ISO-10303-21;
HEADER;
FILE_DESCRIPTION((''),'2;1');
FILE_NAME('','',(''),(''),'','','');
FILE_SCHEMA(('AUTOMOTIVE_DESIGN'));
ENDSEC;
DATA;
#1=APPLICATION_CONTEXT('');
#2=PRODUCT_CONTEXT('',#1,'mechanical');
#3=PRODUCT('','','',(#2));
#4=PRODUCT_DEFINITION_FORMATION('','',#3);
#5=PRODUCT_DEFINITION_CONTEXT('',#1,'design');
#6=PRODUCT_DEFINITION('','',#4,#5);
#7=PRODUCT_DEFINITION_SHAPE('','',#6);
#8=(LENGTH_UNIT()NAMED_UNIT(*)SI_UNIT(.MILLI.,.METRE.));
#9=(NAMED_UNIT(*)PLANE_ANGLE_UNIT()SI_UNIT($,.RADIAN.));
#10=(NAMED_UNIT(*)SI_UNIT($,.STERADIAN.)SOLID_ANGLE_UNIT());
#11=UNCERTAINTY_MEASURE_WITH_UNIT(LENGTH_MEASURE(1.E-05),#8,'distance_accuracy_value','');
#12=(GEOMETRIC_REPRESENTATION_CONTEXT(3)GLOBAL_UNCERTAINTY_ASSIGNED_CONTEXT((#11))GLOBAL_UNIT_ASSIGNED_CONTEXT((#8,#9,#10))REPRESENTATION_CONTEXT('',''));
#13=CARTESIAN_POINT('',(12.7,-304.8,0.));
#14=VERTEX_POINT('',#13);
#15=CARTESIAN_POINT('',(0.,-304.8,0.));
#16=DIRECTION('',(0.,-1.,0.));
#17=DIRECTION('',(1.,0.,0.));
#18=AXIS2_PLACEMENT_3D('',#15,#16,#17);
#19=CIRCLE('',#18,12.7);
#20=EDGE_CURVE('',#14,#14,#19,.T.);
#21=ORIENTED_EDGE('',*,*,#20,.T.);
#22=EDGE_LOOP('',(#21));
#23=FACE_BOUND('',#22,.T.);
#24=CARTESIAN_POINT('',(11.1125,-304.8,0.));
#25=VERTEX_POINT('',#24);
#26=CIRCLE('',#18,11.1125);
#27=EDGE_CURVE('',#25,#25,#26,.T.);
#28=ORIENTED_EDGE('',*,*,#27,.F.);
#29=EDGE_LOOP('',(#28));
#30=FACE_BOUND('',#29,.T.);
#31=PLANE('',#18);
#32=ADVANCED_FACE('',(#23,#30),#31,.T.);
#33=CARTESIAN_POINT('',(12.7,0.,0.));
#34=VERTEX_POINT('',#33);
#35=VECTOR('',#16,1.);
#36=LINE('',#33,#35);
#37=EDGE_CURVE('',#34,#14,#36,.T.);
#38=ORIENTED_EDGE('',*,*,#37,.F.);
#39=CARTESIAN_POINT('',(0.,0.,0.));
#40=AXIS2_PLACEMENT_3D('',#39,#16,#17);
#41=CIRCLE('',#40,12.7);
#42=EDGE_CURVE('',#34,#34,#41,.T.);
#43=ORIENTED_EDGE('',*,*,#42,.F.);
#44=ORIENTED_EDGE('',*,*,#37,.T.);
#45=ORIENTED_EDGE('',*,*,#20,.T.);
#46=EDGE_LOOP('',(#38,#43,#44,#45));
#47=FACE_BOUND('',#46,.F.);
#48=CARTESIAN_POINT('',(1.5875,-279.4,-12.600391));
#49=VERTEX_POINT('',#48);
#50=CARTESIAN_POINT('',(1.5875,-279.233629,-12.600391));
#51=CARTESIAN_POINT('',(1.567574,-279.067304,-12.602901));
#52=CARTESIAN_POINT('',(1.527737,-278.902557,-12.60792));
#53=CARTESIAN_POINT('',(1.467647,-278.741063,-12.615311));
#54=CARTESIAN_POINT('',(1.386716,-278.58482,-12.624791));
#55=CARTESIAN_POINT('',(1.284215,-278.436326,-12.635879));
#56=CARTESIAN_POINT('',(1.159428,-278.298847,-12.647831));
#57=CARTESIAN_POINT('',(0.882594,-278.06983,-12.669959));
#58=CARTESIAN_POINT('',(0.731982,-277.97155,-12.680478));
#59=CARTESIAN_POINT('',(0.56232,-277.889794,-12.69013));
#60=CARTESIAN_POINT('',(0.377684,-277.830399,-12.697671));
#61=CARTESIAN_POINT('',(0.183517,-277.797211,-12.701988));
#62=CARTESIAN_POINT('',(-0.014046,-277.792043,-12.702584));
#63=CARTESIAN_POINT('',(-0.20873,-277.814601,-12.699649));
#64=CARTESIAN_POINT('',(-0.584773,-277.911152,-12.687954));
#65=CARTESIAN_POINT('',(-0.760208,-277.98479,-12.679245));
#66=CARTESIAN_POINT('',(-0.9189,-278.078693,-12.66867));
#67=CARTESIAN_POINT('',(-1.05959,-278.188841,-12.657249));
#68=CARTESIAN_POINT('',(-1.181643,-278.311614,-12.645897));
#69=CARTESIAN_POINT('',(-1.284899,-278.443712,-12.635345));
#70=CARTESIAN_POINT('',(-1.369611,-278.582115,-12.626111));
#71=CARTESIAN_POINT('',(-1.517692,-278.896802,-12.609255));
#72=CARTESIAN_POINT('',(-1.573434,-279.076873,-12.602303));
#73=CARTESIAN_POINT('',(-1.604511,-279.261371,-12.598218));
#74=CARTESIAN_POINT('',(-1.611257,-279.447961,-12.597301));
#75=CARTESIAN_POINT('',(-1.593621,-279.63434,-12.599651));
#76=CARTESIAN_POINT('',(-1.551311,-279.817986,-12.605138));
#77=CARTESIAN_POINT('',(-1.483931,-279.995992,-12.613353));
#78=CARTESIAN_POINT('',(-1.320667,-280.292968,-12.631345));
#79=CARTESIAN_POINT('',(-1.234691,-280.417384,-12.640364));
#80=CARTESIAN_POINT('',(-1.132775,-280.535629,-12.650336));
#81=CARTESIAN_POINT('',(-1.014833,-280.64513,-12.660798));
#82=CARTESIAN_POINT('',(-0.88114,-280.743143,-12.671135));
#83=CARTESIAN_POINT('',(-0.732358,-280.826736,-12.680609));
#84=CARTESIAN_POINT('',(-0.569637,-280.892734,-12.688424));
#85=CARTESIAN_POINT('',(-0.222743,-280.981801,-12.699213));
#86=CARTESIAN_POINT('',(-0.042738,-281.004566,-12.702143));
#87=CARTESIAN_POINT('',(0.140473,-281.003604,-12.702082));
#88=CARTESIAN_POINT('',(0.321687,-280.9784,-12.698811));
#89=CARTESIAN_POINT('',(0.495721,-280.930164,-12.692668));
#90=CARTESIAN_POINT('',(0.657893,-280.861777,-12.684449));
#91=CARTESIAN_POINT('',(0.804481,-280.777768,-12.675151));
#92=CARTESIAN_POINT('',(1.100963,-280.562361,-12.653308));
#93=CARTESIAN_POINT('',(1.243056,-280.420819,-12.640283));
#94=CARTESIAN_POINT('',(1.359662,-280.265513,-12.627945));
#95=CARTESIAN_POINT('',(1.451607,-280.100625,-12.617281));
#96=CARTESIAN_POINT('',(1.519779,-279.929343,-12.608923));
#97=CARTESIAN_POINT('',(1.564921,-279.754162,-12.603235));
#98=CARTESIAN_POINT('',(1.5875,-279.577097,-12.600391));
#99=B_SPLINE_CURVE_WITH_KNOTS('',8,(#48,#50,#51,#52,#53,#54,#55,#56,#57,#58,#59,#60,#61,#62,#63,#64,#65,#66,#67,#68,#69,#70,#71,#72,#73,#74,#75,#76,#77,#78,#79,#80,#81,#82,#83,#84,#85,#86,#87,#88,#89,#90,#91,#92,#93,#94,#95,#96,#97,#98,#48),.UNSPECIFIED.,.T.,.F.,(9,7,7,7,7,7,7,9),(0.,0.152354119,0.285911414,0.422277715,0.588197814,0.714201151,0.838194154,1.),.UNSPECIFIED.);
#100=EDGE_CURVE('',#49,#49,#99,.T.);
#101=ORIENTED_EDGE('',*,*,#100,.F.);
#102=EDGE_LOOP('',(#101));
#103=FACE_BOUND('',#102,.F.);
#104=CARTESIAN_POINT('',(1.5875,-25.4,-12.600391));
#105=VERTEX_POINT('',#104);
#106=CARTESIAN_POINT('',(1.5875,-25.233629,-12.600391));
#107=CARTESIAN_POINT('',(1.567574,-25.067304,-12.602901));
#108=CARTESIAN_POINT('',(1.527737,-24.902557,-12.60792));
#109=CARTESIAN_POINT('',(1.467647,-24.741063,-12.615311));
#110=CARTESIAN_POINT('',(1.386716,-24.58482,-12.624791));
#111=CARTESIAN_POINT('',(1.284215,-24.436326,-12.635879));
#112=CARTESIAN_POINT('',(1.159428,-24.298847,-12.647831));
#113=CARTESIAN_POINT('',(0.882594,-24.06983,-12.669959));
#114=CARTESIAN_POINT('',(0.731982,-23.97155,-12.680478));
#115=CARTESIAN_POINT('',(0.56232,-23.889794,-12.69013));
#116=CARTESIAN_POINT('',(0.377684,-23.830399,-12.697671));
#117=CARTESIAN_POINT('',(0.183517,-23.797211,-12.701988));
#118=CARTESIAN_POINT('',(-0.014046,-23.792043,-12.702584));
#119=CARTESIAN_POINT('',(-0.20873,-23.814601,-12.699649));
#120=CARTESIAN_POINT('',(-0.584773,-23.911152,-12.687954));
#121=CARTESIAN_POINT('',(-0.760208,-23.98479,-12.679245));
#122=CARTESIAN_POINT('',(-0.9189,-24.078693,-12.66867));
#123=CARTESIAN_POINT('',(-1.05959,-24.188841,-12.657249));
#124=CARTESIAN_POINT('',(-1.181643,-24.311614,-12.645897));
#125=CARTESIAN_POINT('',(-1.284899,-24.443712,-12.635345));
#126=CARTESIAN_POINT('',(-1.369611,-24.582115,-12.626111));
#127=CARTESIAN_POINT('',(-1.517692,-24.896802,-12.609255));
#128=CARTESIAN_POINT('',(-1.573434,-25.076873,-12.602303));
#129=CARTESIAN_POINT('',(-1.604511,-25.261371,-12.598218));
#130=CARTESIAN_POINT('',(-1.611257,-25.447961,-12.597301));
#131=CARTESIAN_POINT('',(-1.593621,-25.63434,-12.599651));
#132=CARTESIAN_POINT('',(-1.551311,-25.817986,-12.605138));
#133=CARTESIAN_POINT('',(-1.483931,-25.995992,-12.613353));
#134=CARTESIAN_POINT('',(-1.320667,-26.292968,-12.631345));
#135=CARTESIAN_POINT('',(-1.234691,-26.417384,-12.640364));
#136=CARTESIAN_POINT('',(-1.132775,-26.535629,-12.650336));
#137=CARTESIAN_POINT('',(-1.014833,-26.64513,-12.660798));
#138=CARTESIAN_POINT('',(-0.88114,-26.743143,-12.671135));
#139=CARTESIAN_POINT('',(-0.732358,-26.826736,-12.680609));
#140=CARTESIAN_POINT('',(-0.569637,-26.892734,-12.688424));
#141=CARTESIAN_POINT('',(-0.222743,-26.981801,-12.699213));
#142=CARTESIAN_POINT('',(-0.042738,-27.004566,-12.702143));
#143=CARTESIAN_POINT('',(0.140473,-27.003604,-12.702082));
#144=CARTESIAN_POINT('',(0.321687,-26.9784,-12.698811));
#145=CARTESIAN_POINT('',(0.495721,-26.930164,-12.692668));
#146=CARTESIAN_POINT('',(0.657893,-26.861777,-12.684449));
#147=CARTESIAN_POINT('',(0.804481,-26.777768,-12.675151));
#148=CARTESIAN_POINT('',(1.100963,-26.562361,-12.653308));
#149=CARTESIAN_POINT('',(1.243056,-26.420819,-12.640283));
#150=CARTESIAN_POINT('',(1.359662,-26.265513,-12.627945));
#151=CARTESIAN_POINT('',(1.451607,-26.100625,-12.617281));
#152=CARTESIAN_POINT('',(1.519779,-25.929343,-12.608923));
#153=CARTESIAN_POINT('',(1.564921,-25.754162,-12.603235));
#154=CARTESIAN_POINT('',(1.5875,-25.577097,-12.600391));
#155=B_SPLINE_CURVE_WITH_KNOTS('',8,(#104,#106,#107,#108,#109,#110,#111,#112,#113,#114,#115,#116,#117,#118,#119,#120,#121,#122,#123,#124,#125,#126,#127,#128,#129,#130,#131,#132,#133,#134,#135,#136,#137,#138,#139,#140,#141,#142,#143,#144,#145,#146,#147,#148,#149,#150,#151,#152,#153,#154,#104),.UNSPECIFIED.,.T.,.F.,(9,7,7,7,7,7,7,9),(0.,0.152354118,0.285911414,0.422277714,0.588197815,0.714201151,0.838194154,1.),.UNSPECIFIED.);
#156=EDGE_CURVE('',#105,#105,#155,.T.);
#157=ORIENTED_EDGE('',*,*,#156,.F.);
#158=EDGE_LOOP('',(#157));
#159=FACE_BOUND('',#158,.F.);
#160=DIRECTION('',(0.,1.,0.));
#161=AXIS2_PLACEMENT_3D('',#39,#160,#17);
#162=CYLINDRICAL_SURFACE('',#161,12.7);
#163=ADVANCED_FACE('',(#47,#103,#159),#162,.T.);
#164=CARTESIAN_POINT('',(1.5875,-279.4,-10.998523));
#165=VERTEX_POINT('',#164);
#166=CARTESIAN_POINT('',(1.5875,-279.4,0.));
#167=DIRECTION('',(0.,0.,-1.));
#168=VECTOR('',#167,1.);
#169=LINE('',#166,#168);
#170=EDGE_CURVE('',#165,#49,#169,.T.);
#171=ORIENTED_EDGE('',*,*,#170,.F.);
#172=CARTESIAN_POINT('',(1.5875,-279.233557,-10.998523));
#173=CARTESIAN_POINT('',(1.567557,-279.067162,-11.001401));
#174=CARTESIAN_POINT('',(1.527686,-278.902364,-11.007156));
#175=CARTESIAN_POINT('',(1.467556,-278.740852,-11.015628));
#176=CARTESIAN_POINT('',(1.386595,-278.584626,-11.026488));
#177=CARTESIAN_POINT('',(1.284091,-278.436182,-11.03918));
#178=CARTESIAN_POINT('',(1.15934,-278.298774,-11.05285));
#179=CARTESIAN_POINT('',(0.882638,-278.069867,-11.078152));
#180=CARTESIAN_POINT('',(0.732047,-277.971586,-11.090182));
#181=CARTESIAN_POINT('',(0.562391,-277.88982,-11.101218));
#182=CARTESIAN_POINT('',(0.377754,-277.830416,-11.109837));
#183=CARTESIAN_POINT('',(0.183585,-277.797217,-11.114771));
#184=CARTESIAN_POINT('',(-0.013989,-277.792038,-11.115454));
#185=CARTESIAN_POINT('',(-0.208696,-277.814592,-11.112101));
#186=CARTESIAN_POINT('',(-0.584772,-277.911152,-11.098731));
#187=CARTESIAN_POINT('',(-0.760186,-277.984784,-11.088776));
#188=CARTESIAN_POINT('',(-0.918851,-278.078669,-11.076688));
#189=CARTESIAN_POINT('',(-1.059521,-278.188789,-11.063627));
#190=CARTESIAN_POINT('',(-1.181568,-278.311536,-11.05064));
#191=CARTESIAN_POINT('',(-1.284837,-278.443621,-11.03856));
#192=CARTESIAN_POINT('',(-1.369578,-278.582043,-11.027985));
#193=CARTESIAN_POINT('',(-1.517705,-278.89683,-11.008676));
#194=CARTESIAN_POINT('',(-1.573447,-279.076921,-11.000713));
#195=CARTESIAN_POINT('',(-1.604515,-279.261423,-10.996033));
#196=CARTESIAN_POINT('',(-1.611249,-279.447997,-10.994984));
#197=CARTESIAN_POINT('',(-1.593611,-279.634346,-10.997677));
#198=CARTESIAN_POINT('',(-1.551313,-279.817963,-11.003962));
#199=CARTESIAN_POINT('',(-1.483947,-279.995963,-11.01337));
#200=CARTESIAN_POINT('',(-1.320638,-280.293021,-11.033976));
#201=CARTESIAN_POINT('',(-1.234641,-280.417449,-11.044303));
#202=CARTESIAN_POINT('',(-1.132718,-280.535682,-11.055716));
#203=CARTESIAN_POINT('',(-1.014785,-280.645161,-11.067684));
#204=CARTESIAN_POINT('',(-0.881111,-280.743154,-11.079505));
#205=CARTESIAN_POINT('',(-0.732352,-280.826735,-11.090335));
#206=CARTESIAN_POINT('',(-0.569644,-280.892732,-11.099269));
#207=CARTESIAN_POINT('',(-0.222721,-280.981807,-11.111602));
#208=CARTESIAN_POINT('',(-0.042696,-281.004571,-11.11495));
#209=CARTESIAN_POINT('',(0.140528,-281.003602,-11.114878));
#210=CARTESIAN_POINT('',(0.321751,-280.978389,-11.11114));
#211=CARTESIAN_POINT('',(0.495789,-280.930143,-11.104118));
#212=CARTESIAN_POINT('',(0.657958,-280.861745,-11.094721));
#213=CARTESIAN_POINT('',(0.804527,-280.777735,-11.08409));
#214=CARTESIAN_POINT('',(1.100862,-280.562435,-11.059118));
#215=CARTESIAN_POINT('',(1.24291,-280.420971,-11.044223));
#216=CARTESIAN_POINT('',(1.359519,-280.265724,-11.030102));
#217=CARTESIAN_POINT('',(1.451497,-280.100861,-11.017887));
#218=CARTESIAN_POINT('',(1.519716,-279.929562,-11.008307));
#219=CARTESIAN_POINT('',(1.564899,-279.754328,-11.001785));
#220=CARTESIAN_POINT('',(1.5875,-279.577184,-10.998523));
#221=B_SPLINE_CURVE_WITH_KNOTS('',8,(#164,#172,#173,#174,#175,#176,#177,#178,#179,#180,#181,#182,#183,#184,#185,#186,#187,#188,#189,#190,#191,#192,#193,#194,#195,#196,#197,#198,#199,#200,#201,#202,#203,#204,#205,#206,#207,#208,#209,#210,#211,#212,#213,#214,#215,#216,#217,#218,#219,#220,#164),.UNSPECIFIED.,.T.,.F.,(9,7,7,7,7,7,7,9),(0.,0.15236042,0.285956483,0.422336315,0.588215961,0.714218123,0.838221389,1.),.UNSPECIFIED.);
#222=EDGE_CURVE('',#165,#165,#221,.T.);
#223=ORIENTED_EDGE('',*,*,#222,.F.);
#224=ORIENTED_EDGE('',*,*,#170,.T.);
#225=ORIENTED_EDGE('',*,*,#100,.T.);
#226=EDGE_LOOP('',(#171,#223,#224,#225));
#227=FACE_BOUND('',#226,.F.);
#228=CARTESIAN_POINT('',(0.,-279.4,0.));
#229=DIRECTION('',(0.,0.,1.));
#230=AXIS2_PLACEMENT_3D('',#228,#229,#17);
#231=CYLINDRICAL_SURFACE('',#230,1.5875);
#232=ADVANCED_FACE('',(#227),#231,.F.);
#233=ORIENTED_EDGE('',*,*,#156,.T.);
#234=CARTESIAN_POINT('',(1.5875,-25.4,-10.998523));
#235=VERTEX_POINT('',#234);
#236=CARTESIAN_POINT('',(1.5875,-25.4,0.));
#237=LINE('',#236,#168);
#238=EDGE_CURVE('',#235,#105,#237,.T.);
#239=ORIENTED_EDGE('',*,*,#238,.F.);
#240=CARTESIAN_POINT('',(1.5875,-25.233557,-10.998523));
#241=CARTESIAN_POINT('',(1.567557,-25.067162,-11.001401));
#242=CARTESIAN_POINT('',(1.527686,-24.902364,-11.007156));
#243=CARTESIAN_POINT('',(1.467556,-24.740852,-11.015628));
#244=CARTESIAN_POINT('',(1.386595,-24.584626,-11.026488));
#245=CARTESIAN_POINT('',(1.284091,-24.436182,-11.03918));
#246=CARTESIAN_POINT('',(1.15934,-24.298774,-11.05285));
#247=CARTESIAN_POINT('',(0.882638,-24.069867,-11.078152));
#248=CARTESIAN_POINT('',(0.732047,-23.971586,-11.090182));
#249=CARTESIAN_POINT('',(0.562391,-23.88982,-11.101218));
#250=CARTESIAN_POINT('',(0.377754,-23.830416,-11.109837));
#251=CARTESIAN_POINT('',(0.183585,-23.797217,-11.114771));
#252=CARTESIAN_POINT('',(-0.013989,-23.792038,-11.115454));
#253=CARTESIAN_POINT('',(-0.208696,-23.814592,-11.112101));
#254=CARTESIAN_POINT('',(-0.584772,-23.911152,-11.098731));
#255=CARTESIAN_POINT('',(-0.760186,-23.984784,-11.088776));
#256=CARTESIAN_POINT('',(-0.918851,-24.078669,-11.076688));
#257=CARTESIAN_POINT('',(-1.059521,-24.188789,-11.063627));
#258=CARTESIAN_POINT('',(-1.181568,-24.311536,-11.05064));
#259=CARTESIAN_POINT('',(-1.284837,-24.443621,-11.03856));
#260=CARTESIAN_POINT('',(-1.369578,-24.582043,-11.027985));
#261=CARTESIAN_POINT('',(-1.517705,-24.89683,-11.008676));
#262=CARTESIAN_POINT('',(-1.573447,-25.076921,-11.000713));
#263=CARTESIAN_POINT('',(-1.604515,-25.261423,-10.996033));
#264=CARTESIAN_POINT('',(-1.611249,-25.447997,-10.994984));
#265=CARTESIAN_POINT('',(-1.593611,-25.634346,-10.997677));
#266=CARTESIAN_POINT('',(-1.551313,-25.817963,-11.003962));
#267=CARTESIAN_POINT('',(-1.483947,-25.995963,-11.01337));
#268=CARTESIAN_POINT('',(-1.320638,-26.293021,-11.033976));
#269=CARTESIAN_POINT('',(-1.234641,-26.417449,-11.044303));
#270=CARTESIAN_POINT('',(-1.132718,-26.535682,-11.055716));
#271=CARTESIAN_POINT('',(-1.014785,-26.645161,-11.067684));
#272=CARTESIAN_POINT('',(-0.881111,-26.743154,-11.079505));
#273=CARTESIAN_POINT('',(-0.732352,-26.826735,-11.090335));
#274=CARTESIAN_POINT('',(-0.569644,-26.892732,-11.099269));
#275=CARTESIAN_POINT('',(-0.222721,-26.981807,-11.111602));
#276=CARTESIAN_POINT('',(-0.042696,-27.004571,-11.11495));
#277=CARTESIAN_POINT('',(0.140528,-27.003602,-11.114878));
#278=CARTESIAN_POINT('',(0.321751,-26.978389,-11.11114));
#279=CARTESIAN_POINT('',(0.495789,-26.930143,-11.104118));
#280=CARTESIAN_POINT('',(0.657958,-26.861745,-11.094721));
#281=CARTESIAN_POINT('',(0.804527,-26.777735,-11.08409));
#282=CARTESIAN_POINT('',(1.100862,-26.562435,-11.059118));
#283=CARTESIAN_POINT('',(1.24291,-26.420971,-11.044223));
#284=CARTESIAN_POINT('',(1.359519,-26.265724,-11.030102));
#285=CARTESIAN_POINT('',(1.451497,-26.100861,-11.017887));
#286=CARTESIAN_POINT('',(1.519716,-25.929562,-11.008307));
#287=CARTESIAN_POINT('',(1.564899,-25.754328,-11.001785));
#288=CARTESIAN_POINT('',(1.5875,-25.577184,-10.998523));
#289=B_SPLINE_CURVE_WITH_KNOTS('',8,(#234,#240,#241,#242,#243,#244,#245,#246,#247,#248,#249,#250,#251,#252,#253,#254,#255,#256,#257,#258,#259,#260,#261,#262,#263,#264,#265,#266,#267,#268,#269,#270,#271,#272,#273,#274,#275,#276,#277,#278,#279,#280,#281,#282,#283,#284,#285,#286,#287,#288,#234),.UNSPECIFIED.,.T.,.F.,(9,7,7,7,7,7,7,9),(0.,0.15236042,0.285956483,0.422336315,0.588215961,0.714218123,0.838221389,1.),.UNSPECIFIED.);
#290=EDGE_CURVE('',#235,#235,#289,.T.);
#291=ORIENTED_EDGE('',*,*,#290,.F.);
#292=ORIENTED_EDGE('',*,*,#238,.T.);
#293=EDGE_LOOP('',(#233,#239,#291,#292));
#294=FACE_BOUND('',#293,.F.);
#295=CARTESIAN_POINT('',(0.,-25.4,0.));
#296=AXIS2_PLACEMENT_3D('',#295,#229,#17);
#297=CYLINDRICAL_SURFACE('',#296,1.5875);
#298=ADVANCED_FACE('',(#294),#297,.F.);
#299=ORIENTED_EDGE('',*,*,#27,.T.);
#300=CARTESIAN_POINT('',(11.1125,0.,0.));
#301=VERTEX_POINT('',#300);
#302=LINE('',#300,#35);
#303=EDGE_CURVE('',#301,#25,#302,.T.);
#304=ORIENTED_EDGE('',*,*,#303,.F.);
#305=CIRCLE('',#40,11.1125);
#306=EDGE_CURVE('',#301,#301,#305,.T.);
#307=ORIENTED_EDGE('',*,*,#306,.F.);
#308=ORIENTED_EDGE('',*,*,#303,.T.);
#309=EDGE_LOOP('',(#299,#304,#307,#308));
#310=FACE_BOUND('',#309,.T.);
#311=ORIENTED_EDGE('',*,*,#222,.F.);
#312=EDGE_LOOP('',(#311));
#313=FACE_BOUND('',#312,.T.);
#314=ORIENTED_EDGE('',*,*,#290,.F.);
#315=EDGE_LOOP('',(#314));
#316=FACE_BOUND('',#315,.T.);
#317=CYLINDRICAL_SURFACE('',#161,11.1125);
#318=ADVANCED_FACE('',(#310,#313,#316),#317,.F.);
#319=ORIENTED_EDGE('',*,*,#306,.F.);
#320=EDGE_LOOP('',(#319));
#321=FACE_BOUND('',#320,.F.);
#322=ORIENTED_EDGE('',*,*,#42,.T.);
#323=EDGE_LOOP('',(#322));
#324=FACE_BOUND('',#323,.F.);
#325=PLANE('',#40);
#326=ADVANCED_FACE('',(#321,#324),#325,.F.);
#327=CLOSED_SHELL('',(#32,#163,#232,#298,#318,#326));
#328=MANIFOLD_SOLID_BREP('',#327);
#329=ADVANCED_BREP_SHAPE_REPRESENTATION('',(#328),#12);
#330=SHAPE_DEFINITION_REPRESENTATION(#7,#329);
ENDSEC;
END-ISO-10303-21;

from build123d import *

# Parameters (mm, degrees)
F0_R     = 12.7
F0_R_2   = 11.1125
F1_DEPTH = 304.8
F3_D     = 3.175
F3_DEPTH = 12.701


with BuildPart() as f1:
    # F0 (on Front) → F1 (new body)
    with BuildSketch(Plane.XZ):
        Circle(F0_R)
        Circle(F0_R_2, mode=Mode.SUBTRACT)
    extrude(amount=F1_DEPTH)

    # F3 (through all, one way)
    with BuildSketch(Plane.XY):
        with Locations((0, -279.4), (0, -25.4)):
            Circle(F3_D / 2)
    extrude(amount=-F3_DEPTH, mode=Mode.SUBTRACT)


solid = f1.part
